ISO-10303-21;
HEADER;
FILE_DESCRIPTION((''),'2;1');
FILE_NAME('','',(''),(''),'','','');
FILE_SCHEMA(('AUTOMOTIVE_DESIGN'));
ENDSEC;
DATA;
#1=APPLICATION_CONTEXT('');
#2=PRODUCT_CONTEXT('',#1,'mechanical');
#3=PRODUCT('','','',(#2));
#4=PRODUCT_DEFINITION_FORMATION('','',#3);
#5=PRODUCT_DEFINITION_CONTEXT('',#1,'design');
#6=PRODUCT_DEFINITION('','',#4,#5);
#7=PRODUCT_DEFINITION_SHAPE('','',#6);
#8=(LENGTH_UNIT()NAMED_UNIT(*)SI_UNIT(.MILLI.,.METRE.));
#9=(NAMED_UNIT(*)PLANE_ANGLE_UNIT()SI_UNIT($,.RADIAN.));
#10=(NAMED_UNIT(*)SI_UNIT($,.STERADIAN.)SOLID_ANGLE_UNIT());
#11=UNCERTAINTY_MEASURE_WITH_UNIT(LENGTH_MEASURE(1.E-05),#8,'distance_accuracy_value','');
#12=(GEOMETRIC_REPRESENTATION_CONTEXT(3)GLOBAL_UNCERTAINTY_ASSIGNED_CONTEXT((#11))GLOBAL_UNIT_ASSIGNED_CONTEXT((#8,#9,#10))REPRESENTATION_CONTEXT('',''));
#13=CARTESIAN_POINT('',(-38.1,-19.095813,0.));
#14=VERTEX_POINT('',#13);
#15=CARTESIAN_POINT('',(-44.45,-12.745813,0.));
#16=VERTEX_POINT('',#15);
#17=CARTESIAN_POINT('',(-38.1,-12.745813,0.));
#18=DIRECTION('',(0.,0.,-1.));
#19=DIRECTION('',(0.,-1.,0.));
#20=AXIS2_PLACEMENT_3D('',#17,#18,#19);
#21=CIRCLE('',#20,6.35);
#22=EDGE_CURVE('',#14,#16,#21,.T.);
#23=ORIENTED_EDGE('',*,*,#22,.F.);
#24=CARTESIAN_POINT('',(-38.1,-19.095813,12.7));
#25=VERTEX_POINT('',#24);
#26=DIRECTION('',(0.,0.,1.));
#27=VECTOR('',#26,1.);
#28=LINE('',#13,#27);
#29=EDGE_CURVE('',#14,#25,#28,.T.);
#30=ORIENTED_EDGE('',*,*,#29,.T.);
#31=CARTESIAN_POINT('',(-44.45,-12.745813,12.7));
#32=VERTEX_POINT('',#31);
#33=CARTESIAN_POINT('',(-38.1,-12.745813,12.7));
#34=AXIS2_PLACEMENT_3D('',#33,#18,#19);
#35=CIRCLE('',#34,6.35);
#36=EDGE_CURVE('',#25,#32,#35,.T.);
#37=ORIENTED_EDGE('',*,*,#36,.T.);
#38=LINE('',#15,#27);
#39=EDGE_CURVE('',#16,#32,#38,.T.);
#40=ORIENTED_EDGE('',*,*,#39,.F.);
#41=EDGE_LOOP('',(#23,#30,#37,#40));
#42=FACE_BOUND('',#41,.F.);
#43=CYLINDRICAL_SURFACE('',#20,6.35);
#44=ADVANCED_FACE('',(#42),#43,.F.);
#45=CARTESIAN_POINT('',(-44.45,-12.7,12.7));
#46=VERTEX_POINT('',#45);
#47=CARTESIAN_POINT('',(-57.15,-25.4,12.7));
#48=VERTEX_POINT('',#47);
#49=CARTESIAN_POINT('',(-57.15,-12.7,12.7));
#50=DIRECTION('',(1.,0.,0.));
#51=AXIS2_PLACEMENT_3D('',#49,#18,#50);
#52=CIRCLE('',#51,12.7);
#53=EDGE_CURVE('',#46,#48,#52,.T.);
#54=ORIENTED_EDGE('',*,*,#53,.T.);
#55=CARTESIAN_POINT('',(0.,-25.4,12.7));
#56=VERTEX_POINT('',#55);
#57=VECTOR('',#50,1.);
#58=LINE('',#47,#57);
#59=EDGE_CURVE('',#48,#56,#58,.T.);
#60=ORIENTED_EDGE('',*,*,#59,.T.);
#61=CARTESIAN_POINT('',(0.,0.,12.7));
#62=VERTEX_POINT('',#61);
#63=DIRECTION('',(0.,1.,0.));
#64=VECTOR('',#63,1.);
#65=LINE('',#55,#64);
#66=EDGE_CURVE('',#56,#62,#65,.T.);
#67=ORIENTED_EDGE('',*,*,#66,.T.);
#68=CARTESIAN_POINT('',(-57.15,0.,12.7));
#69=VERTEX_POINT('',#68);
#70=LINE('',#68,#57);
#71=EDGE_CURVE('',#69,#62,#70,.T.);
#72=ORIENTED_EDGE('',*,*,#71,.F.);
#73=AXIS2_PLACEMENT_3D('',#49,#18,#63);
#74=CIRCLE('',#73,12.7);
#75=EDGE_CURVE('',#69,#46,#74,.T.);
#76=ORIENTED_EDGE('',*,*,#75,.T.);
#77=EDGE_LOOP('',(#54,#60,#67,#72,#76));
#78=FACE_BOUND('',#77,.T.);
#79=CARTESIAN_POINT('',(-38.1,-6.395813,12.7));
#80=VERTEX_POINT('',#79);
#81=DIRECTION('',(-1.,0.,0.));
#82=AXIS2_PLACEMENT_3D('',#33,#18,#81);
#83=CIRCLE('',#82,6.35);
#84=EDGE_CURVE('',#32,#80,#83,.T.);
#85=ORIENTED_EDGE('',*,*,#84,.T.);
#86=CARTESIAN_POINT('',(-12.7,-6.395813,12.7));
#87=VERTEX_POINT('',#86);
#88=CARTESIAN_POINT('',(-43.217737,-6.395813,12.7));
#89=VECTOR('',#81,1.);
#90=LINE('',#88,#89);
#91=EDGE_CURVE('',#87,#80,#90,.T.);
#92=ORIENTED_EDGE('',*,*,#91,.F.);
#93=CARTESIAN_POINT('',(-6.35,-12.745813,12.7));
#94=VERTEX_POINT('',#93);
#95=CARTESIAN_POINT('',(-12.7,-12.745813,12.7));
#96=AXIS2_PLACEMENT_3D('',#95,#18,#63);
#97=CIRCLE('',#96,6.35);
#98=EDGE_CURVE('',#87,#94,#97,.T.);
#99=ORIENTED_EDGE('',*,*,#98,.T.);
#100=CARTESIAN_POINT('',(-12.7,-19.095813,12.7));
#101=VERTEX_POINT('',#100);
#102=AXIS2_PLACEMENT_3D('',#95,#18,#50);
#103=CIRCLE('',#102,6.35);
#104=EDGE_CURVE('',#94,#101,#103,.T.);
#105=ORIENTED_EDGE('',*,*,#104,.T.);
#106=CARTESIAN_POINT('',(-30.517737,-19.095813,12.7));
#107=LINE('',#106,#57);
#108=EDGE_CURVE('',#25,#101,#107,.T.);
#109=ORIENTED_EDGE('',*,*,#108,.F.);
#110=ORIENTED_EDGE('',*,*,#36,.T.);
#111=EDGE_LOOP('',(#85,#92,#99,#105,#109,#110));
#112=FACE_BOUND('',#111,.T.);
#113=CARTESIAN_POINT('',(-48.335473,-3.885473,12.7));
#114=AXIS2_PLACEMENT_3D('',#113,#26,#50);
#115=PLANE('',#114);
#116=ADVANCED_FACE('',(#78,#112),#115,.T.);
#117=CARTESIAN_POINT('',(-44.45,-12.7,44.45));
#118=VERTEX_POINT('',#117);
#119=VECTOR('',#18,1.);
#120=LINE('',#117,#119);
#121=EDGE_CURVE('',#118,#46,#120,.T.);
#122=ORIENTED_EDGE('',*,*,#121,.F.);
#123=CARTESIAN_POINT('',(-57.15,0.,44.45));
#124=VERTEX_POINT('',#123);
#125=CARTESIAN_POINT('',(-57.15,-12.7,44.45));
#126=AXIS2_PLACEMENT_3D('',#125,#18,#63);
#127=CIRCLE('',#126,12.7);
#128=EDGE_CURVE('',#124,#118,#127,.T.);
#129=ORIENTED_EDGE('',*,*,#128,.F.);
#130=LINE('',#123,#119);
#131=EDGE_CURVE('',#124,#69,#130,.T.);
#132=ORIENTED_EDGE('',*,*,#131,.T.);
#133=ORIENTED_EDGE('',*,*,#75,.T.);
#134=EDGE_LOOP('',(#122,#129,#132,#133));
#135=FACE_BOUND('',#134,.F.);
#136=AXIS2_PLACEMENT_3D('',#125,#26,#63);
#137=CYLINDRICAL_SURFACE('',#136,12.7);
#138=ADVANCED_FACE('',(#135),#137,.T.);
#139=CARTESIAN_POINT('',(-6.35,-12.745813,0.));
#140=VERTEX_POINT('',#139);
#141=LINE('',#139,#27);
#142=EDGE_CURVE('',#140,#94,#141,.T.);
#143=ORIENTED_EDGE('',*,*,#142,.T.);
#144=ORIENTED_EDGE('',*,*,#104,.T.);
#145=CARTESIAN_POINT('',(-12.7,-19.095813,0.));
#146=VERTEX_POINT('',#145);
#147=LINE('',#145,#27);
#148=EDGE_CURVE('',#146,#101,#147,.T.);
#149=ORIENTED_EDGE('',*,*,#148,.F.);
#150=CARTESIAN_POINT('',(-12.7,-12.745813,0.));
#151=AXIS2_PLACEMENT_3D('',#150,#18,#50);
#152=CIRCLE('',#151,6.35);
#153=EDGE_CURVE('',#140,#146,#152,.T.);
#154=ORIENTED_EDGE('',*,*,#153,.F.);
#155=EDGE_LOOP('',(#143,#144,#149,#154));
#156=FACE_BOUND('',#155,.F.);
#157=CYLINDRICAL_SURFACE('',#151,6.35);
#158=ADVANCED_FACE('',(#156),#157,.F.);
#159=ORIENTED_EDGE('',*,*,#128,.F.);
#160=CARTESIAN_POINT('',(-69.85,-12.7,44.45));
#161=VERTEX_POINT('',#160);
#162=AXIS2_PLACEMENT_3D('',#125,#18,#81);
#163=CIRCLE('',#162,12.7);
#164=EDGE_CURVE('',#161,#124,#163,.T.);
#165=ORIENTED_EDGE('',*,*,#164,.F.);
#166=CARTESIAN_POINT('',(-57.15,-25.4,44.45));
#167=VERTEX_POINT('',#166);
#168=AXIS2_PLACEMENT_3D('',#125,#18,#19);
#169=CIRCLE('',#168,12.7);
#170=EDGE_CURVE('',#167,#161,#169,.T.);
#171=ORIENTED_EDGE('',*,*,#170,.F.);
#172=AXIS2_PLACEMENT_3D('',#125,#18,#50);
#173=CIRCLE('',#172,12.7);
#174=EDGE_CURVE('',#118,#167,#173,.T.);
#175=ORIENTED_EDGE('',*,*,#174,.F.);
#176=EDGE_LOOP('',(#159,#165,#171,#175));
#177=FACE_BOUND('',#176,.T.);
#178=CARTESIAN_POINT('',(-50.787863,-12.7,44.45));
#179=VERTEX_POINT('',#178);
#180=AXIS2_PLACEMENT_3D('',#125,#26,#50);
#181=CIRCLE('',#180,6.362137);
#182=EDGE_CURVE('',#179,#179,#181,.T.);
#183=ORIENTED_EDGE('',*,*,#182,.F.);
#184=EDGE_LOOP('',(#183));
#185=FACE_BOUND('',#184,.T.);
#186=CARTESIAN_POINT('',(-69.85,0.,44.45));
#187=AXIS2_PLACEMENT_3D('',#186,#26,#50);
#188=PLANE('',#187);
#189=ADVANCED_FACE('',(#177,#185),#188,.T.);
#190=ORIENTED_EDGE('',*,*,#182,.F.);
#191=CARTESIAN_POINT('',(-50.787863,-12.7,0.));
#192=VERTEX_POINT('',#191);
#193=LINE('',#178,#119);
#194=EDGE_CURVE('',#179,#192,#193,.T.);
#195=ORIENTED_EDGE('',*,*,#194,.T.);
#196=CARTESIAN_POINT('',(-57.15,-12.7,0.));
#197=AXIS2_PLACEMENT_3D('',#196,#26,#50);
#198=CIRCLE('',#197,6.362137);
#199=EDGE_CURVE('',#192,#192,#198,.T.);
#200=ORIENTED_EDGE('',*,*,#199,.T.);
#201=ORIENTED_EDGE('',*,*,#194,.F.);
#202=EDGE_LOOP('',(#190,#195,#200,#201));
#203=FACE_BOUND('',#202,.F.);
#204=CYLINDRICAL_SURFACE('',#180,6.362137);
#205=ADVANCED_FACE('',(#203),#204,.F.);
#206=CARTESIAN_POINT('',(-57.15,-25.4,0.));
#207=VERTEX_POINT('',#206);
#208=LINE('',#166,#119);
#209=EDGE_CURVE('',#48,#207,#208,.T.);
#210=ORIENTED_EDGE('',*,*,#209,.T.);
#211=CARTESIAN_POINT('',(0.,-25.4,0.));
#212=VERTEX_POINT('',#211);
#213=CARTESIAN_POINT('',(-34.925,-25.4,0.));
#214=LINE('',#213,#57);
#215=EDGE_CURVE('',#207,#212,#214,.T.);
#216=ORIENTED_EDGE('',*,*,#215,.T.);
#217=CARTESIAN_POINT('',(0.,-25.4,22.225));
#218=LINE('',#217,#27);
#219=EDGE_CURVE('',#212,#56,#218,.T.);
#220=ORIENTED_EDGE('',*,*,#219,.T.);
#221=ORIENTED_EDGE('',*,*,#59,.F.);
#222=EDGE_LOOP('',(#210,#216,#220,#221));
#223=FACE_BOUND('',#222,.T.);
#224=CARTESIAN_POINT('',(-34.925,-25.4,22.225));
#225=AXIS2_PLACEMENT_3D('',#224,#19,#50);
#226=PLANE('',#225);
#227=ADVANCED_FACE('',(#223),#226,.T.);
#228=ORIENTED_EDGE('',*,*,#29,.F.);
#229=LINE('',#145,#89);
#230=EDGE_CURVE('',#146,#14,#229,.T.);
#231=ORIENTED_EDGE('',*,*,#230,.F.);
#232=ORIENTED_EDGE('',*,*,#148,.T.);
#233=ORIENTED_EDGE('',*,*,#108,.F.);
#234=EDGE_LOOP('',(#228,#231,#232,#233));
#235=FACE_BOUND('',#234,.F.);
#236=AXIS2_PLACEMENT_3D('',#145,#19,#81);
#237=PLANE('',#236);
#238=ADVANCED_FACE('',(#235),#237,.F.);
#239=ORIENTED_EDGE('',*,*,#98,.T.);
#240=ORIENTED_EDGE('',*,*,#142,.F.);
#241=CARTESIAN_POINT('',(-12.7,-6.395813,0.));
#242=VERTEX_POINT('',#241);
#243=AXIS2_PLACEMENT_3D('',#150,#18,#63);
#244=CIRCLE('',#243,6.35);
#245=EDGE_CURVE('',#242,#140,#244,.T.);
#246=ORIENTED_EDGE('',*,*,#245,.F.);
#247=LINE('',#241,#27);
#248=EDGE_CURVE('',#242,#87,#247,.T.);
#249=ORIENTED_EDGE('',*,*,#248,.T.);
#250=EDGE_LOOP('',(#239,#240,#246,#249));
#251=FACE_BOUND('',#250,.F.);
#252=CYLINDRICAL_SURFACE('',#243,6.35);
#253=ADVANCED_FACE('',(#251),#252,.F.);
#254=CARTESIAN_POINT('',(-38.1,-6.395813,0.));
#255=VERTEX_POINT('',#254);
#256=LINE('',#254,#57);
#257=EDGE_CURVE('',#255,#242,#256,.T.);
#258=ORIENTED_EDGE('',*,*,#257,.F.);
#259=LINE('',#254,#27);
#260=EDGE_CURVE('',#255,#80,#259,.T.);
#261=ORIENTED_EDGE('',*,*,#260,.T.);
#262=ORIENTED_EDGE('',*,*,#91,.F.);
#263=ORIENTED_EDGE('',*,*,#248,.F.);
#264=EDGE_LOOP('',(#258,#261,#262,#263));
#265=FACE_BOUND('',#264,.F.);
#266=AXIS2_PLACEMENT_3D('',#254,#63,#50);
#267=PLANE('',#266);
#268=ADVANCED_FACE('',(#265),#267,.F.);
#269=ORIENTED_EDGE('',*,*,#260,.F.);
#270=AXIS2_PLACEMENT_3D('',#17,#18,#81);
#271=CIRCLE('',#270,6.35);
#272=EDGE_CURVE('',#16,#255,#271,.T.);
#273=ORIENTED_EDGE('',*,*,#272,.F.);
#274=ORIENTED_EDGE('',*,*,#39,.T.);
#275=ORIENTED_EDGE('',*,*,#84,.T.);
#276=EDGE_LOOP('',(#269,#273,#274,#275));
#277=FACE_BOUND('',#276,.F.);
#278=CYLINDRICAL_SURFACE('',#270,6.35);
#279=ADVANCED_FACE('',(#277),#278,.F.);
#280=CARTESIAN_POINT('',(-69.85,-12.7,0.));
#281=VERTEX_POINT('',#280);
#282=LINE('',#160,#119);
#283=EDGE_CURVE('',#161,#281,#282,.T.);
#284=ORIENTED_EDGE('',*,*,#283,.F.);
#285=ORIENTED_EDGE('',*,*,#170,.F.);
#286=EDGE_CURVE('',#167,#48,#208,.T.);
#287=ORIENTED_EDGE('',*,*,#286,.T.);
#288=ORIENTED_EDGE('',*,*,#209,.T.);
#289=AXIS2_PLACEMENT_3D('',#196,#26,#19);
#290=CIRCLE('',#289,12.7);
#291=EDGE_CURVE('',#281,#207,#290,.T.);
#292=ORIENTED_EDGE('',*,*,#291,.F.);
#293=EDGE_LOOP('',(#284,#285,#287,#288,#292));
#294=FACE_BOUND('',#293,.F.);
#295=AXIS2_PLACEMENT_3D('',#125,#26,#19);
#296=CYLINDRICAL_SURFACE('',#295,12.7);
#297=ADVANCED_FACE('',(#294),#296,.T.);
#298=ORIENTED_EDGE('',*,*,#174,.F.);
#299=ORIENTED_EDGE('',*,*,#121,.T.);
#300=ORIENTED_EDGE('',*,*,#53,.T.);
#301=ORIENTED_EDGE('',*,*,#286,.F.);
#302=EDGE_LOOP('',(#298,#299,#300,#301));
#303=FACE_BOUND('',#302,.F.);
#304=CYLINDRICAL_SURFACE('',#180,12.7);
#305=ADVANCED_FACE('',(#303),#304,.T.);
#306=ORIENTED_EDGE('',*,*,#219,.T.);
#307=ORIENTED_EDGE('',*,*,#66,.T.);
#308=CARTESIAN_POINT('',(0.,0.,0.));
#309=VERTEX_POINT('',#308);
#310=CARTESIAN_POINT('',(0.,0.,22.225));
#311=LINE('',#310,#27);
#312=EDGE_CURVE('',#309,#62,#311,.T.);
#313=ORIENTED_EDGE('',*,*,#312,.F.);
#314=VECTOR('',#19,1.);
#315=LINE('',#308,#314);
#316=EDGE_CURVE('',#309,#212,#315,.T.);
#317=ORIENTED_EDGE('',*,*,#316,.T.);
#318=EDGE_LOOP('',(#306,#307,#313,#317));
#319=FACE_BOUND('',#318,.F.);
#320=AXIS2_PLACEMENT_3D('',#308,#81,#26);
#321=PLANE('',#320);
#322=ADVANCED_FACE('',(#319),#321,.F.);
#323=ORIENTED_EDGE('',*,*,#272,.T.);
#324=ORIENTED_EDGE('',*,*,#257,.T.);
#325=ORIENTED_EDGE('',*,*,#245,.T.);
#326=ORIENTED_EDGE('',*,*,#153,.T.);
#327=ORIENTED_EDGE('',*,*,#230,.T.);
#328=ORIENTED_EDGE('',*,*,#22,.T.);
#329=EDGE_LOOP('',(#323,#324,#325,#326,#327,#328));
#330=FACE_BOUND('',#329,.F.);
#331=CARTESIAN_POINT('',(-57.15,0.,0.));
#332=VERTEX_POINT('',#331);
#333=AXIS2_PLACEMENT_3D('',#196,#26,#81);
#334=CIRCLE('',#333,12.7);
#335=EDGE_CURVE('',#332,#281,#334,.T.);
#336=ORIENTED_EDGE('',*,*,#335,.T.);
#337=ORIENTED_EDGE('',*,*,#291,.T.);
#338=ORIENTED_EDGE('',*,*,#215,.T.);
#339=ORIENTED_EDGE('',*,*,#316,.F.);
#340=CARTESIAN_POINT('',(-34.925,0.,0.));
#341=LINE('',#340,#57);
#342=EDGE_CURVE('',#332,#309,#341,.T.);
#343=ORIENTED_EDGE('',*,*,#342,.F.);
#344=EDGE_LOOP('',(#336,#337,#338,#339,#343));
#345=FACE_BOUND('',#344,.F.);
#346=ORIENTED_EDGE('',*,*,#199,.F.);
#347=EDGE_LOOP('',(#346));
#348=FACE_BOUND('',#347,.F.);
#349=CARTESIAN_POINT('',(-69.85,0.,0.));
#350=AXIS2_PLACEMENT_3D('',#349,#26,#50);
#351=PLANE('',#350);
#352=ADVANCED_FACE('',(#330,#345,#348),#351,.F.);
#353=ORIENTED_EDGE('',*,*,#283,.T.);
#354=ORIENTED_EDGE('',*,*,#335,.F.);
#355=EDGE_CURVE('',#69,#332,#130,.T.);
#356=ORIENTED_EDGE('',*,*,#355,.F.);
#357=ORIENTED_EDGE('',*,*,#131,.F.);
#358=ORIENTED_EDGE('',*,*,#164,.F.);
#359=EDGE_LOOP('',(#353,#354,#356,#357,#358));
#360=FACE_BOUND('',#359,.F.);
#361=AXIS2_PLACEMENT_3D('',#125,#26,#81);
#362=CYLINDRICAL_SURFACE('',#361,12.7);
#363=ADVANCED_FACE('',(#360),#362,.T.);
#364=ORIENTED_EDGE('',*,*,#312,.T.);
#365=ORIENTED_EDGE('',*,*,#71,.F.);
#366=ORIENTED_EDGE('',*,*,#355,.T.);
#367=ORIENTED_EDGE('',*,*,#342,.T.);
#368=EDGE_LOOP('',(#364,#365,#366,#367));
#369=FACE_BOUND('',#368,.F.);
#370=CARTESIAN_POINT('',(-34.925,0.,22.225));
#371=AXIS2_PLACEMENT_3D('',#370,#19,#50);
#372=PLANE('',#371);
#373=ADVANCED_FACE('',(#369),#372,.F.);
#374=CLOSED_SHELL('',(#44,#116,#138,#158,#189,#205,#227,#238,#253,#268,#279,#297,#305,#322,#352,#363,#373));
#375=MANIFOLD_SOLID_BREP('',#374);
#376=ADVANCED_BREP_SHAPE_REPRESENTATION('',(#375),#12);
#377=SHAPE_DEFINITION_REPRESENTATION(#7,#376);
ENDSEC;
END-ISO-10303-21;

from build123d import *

# Parameters (mm, degrees)
F0_W      = 69.85
F0_H      = 44.45
F1_DEPTH  = 25.4
F2_W      = 44.45
F2_H      = 31.75
F3_DEPTH  = 25.401
F5_DEPTH  = 44.451
F7_DEPTH  = 31.75
F9_DEPTH  = 44.451
F10_R     = 6.3621373658
F11_DEPTH = 44.451


with BuildPart() as f1:
    # F0 (on Front) → F1 (new body)
    with BuildSketch(Plane.XZ):
        with Locations((-34.925, 22.225)):
            Rectangle(F0_W, F0_H)
    extrude(amount=F1_DEPTH)

    # F2 (on face) → F3 (cut, through all)
    with BuildSketch(Plane.XZ.offset(25.4)):
        with Locations((-22.225, 28.575)):
            Rectangle(F2_W, F2_H)
    extrude(amount=-F3_DEPTH, mode=Mode.SUBTRACT)

    # F4 (on face) → F5 (cut, through all)
    with BuildSketch(Plane.XY.offset(44.45)):
        with BuildLine():
            ThreePointArc((-69.85, -12.7), (-66.1302561211, -3.7197438789), (-57.15, 0))
            Line((-57.15, 0), (-69.85, 0))
            Line((-69.85, 0), (-69.85, -12.7))
        make_face()
        with BuildLine():
            Line((-69.85, -25.4), (-57.15, -25.4))
            ThreePointArc((-57.15, -25.4), (-66.1302561211, -21.6802561211), (-69.85, -12.7))
            Line((-69.85, -12.7), (-69.85, -25.4))
        make_face()
    extrude(amount=-F5_DEPTH, mode=Mode.SUBTRACT)

    # F6 (on face) → F7 (cut)
    with BuildSketch(Plane.XY.offset(44.45)):
        with BuildLine():
            ThreePointArc((-57.15, 0), (-48.1697438789, -3.7197438789), (-44.45, -12.7))
            Line((-44.45, -12.7), (-44.45, 0))
            Line((-44.45, 0), (-57.15, 0))
        make_face()
        with BuildLine():
            Line((-44.45, -25.4), (-44.45, -12.7))
            ThreePointArc((-44.45, -12.7), (-48.1697438789, -21.6802561211), (-57.15, -25.4))
            Line((-57.15, -25.4), (-44.45, -25.4))
        make_face()
    extrude(amount=-F7_DEPTH, mode=Mode.SUBTRACT)

    # F8 (on face) → F9 (cut, through all)
    with BuildSketch(Plane(origin=(0, 0, 0), x_dir=(1, 0, 0), z_dir=(0, 0, -1))):
        with BuildLine():
            Line((-38.1, 6.3958125417), (-12.7, 6.3958125417))
            ThreePointArc((-12.7, 6.3958125417), (-8.2098719395, 8.2556844811), (-6.35, 12.7458125417))
            ThreePointArc((-6.35, 12.7458125417), (-8.2098719395, 17.2359406022), (-12.7, 19.0958125417))
            Line((-12.7, 19.0958125417), (-38.1, 19.0958125417))
            ThreePointArc((-38.1, 19.0958125417), (-42.5901280605, 17.2359406022), (-44.45, 12.7458125417))
            ThreePointArc((-44.45, 12.7458125417), (-42.5901280605, 8.2556844811), (-38.1, 6.3958125417))
        make_face()
    extrude(amount=-F9_DEPTH, mode=Mode.SUBTRACT)

    # F10 (on face) → F11 (cut, through all)
    with BuildSketch(Plane.XY.offset(44.45)):
        with Locations((-57.15, -12.7)):
            Circle(F10_R)
    extrude(amount=-F11_DEPTH, mode=Mode.SUBTRACT)


solid = f1.part
